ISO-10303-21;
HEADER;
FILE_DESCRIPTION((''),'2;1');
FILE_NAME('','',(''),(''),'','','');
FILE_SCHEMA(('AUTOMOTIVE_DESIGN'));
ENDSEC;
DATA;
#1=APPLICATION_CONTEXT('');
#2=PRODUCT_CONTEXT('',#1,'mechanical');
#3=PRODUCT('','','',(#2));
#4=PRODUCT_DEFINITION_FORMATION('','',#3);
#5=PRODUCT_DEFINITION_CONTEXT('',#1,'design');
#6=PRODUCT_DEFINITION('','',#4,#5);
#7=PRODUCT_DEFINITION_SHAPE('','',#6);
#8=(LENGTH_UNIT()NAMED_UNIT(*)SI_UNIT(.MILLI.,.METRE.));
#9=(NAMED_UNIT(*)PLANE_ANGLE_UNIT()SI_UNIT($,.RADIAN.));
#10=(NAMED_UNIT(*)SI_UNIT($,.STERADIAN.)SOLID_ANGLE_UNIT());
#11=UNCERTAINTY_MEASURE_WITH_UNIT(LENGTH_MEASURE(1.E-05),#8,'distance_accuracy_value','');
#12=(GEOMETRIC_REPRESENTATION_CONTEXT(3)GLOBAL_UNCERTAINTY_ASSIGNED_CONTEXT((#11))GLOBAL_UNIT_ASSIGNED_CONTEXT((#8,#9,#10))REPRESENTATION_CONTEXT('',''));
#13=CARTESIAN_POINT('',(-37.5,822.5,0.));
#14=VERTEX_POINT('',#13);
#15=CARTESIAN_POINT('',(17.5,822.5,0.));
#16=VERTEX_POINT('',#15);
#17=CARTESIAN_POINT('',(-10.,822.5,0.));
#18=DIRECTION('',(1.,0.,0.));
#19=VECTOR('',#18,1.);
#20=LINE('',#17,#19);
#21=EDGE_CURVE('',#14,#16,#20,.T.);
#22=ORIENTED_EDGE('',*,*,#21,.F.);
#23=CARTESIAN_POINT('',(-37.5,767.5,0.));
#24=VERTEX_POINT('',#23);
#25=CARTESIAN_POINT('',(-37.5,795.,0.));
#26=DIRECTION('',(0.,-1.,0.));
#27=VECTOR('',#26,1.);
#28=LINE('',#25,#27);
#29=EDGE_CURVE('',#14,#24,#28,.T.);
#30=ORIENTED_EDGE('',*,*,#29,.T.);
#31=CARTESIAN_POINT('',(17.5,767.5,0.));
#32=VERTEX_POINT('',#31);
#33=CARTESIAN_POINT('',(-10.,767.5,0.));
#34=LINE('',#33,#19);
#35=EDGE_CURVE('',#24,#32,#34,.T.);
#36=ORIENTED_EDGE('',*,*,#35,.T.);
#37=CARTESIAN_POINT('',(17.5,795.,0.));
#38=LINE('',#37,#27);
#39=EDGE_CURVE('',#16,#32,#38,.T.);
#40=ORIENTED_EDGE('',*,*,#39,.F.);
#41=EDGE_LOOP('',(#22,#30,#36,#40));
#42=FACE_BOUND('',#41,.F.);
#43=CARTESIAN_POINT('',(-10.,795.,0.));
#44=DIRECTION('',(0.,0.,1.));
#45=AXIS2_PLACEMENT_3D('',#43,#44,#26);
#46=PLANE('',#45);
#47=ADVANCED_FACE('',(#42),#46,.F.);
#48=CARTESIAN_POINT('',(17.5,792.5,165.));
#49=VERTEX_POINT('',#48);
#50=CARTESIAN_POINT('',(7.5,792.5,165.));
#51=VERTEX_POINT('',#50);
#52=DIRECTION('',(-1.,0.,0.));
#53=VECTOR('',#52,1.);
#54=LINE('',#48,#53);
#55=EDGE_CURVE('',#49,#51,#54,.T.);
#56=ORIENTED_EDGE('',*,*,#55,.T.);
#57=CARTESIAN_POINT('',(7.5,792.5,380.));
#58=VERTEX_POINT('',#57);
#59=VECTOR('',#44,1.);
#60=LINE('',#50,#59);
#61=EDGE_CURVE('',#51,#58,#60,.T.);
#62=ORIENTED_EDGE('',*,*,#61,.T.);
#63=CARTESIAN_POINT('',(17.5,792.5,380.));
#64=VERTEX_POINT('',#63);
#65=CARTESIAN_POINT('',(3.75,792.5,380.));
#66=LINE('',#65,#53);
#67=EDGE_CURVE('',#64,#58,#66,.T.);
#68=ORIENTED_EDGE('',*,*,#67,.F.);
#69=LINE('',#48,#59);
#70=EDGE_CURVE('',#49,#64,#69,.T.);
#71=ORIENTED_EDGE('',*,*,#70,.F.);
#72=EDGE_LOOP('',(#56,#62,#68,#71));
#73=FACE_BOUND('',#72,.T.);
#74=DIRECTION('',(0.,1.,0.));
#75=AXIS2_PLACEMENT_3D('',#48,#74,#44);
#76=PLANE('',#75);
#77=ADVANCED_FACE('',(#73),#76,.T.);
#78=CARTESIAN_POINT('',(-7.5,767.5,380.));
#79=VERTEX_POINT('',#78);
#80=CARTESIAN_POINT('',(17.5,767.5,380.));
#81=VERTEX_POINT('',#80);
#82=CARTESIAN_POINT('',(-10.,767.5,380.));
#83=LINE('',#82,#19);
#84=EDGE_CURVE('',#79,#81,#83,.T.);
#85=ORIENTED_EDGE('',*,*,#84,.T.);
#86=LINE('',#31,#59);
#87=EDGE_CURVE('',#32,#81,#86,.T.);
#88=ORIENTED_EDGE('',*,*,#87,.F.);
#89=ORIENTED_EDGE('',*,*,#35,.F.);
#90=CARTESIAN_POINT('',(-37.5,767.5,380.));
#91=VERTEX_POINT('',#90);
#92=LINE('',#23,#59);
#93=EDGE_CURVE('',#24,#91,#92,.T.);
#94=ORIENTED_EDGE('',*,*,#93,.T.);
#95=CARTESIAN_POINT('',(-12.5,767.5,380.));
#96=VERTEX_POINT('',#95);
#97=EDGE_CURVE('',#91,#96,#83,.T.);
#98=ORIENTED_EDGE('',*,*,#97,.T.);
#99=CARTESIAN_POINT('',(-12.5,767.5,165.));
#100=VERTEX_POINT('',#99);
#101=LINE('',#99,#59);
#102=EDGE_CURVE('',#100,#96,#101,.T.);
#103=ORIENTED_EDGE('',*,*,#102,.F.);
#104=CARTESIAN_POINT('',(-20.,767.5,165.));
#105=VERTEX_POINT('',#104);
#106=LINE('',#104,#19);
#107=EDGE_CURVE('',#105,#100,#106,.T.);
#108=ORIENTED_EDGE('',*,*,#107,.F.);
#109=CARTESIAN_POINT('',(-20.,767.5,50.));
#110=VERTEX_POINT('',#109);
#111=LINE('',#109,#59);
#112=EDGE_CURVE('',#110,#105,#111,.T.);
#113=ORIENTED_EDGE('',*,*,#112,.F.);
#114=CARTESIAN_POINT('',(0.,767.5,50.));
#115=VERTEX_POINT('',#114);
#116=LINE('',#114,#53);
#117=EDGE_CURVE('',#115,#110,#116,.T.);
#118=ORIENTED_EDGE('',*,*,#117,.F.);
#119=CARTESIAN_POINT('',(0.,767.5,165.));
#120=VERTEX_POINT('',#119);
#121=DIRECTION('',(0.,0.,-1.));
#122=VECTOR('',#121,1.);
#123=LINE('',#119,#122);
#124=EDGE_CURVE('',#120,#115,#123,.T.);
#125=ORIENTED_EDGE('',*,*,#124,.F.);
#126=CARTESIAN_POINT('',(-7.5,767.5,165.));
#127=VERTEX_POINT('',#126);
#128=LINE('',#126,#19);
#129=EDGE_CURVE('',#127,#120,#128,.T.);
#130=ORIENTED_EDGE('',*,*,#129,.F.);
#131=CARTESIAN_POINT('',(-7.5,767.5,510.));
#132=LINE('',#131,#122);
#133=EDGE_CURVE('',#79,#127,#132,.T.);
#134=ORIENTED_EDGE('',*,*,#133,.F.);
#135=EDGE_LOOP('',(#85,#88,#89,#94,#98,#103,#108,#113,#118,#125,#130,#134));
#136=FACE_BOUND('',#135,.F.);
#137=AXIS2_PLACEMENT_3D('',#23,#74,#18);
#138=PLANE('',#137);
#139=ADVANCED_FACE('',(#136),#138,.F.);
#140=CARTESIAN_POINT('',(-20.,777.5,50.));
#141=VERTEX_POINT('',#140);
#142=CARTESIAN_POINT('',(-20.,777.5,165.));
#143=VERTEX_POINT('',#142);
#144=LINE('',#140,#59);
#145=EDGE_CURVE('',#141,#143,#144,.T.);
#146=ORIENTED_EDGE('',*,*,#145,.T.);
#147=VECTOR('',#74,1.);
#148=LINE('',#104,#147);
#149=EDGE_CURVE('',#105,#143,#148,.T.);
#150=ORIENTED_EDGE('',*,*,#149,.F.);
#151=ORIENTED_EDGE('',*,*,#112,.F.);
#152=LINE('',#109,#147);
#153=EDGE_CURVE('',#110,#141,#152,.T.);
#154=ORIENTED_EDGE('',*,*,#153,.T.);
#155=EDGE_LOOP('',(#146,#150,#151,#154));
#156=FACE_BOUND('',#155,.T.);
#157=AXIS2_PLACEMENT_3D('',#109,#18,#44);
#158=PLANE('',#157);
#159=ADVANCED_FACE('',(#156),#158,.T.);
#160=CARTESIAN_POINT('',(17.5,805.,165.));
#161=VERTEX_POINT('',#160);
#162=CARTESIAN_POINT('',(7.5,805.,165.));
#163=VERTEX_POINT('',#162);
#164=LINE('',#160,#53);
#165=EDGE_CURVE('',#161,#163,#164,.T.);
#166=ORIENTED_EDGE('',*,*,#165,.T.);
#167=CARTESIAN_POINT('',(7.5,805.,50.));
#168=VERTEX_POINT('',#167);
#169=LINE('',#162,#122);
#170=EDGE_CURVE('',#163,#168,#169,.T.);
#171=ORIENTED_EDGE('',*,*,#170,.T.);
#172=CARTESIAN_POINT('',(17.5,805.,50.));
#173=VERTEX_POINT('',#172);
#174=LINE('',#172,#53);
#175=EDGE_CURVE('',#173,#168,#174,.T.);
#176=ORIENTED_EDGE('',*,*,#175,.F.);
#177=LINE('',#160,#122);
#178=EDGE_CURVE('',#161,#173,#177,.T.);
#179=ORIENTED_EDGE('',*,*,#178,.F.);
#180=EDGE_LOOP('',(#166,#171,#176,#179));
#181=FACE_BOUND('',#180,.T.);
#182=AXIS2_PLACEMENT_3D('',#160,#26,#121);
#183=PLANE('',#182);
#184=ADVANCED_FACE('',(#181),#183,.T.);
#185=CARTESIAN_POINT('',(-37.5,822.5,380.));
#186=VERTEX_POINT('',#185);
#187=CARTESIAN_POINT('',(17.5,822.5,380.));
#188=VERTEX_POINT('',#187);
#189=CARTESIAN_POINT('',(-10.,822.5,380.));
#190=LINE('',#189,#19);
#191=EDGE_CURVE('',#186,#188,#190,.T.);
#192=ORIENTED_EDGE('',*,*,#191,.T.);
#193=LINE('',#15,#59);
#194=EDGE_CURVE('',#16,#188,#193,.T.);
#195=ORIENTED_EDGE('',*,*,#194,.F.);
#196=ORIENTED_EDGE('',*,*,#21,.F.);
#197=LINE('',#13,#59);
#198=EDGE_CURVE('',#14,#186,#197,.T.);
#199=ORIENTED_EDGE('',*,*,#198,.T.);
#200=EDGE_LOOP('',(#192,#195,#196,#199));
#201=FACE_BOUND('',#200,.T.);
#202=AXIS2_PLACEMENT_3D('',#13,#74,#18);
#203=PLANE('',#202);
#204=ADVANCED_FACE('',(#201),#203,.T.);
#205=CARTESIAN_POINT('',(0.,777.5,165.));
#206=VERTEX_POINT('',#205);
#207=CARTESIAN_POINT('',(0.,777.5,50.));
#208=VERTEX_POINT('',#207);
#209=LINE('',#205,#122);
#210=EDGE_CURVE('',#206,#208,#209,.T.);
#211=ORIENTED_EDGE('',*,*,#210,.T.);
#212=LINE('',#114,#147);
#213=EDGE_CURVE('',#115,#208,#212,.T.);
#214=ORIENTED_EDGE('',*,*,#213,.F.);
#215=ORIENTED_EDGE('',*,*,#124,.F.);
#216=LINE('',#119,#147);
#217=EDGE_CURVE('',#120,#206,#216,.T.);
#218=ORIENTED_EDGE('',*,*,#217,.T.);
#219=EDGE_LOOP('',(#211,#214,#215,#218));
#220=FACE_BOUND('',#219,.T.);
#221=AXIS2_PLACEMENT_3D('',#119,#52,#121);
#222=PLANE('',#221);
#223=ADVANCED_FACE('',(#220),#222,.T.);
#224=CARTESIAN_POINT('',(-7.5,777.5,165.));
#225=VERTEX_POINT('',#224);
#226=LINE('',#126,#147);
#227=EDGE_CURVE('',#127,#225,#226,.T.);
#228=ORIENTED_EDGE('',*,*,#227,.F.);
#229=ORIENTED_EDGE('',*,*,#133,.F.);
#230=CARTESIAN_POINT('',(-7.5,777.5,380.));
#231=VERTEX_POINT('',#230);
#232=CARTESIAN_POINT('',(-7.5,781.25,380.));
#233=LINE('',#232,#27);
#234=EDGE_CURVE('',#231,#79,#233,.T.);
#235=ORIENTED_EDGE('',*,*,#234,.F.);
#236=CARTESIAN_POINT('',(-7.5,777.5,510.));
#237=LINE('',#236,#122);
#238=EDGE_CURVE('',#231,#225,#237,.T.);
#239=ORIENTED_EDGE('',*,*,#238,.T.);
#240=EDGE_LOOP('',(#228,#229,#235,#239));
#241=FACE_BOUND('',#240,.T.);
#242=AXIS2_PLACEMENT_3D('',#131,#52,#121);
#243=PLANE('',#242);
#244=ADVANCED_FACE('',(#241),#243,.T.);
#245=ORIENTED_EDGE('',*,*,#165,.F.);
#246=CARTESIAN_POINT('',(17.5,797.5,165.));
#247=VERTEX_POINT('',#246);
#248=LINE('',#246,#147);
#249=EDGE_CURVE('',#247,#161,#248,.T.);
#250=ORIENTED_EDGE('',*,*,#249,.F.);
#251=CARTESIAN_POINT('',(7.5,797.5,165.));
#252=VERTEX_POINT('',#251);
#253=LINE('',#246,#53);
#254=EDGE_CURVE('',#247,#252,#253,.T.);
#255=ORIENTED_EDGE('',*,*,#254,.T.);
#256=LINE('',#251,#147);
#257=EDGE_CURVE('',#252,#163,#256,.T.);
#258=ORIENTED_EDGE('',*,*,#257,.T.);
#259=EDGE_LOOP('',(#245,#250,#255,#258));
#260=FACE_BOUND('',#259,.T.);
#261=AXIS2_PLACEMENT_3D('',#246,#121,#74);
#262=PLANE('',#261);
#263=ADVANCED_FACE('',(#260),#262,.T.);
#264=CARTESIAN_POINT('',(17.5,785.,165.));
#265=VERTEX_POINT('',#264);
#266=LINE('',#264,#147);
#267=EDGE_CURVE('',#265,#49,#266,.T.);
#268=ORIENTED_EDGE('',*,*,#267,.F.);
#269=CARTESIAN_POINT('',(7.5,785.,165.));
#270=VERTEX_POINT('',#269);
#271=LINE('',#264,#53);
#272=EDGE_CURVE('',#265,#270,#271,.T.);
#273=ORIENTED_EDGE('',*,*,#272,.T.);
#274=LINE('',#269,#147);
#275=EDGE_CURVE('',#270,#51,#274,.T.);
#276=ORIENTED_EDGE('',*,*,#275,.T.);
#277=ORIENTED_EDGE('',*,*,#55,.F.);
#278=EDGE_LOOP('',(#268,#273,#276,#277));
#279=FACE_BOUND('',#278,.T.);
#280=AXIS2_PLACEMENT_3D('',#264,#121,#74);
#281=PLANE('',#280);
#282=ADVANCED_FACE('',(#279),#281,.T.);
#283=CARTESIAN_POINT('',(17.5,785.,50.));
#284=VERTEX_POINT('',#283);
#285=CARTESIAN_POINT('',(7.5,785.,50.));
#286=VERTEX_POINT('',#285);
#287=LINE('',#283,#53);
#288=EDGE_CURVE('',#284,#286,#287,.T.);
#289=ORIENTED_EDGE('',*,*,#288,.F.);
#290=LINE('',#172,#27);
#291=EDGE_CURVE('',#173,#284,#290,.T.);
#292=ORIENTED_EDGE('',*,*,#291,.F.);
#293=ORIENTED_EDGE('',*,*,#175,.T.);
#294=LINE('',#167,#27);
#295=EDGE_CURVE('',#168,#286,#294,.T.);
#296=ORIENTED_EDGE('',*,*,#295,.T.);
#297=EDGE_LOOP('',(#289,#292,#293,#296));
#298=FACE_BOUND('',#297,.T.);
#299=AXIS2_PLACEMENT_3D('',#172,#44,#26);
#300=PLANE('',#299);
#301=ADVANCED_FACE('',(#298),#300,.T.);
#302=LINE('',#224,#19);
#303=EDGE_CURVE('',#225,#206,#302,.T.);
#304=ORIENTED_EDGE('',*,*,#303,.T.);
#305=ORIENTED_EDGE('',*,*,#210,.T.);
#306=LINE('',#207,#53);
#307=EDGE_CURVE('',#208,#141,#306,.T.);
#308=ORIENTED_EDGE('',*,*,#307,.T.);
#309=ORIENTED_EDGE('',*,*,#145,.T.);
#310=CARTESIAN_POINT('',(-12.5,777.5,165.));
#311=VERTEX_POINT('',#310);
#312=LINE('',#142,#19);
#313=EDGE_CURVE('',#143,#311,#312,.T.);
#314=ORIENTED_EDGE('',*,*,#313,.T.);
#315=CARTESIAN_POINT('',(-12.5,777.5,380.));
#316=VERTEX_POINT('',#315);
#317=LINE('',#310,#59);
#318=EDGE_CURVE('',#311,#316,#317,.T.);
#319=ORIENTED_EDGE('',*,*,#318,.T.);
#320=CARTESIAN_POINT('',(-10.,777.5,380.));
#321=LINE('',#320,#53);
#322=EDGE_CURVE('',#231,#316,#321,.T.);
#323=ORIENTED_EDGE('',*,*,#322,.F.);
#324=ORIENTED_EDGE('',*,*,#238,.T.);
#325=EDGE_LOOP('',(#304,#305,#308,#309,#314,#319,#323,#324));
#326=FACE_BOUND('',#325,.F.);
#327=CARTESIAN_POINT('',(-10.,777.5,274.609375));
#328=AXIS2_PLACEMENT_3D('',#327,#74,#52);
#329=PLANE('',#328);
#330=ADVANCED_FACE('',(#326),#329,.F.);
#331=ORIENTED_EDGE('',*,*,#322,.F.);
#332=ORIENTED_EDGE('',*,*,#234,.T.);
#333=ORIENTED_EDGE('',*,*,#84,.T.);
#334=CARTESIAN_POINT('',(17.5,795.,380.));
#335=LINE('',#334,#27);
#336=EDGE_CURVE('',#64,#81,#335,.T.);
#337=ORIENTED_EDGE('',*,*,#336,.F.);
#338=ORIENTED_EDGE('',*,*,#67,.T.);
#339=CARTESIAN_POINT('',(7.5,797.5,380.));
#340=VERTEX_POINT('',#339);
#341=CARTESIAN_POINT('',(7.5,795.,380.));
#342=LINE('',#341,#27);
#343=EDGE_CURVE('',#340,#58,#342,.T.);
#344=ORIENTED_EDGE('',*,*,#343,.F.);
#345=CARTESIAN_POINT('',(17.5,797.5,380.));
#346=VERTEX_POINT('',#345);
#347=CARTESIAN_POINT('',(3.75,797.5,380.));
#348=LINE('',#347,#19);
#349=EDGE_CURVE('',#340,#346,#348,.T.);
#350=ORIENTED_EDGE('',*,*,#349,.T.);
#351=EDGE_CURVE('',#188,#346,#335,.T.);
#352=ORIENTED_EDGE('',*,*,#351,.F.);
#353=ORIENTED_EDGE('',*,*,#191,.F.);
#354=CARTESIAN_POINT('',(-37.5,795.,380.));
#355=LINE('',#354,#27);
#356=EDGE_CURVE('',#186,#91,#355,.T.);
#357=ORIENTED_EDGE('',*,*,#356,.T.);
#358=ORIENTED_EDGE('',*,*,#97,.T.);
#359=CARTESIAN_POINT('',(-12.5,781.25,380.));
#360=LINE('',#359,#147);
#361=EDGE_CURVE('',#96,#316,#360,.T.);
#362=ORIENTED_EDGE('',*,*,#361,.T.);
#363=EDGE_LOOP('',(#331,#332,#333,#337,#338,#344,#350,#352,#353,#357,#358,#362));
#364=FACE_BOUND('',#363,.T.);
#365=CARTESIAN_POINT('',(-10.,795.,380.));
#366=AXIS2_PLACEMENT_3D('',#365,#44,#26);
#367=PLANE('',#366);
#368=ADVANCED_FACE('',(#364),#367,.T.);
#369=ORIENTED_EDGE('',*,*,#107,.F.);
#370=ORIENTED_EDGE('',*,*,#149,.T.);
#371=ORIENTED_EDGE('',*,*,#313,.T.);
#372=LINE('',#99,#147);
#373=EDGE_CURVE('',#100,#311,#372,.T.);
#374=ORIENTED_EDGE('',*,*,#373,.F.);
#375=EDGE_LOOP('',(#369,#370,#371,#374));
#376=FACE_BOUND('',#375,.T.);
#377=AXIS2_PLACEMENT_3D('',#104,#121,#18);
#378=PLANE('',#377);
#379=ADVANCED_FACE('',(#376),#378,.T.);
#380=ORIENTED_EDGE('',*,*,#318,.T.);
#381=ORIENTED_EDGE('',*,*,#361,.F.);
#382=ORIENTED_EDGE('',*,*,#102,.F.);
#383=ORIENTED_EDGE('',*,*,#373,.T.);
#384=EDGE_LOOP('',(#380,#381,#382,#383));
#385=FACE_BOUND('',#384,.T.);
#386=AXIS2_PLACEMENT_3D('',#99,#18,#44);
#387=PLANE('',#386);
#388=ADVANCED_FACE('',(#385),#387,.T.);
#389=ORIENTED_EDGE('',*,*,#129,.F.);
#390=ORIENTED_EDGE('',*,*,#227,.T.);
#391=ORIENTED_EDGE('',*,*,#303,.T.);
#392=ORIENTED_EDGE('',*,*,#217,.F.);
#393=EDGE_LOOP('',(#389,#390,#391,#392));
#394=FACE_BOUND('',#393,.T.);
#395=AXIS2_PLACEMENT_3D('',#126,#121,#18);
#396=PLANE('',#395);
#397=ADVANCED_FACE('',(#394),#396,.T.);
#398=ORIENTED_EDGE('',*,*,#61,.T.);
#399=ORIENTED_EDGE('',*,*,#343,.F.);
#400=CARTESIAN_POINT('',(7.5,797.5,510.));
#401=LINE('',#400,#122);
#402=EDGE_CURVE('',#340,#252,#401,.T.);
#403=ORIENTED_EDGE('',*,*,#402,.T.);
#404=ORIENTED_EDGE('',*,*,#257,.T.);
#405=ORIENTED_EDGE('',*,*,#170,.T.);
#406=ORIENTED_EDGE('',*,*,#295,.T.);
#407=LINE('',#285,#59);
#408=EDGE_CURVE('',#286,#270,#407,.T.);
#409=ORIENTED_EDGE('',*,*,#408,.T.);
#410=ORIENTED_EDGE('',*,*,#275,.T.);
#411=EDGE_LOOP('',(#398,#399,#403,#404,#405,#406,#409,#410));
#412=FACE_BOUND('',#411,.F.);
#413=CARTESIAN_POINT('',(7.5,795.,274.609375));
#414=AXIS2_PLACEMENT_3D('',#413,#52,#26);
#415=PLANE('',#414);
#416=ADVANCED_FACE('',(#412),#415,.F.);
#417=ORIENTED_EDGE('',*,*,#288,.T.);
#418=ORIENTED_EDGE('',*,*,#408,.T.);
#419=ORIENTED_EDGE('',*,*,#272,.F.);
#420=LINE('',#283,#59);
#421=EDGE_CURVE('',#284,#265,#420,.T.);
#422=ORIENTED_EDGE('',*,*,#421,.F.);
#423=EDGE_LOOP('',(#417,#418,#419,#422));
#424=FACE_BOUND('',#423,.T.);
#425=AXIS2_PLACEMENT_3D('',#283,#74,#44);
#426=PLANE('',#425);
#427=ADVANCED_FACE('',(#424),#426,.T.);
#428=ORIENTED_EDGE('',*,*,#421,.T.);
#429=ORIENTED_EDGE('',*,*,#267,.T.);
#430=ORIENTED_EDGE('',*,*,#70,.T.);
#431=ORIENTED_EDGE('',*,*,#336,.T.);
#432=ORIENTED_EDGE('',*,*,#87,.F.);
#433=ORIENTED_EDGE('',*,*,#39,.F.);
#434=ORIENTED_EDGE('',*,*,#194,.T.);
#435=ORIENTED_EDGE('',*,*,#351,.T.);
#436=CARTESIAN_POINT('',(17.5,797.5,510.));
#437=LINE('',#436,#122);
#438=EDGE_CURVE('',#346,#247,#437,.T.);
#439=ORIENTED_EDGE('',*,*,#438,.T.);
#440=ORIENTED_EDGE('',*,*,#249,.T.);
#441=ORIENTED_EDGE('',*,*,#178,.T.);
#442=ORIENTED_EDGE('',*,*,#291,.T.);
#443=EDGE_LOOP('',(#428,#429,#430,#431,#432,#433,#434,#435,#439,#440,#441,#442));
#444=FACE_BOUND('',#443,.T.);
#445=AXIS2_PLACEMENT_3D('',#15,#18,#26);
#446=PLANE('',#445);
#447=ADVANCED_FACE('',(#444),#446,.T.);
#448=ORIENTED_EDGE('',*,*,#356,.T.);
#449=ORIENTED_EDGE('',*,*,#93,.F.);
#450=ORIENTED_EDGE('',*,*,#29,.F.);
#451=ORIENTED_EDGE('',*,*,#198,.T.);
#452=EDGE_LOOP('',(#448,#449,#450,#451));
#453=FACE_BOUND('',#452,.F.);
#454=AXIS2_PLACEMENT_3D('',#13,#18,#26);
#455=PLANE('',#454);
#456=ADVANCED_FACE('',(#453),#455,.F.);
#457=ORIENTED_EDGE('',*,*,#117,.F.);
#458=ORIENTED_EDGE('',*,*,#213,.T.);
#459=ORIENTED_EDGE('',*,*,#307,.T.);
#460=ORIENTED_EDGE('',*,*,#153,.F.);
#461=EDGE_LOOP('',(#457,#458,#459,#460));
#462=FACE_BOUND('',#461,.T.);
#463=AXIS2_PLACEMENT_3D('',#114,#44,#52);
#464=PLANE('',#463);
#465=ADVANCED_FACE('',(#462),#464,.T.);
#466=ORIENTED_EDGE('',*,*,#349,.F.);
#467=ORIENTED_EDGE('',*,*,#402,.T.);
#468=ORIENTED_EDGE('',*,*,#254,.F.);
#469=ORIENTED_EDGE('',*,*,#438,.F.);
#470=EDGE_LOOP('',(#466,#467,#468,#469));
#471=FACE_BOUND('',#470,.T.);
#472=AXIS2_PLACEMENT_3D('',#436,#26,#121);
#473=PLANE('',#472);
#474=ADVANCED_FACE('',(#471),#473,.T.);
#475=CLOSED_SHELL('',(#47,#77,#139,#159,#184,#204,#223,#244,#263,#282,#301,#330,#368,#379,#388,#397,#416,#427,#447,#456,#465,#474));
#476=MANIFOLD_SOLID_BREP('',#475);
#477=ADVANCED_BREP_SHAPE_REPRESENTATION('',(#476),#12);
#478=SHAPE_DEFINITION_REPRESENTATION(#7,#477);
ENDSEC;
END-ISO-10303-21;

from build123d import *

# Parameters (mm, degrees)
SKETCH_W                = 55
SKETCH_H                = 55
PAD_DEPTH               = 380
POCKET_DEPTH            = 10
POLARPATTERN_COUNT      = 2
POLARPATTERN_ANGLE      = 90
BODY015_PLACEMENT_ANGLE = 90


with BuildPart() as part:
    # Sketch → Pad (new body)
    with BuildSketch(Plane.XY):
        Rectangle(SKETCH_W, SKETCH_H)
    extrude(amount=PAD_DEPTH)

    # Sketch001 (on DatumPlane) → Pocket (cut)
    with BuildSketch(Plane.YZ.offset(27.5)):
        Polygon((-10, 165), (-2.5, 165), (-2.5, 510), (2.5, 510), (2.5, 165), (10, 165), (10, 50), (-10, 50), align=None)
    pocket = extrude(amount=-POCKET_DEPTH, mode=Mode.SUBTRACT)

    # PolarPattern: Pocket ×2 about axis
    polarpattern_axis = Axis((0, 0, 0), (0, 0, 1))
    for i in range(1, POLARPATTERN_COUNT):
        add(pocket.rotate(polarpattern_axis, i * POLARPATTERN_ANGLE / (POLARPATTERN_COUNT - 1)), mode=Mode.SUBTRACT)


with BuildPart() as part_1:
    # Body placement: moved
    add(part.part.moved(Location((-10, 0, 0))))


with BuildPart() as part_2:
    # Clone009 placement: moved
    add(part_1.part.moved(Location((10, 0, 0))))


with BuildPart() as part_3:
    # Body015 placement: moved
    add(part_2.part.moved(Location((-10, 795, 0))).rotate(Axis((-10, 795, 0), (0, 0, -1)), BODY015_PLACEMENT_ANGLE))


solid = part_3.part
